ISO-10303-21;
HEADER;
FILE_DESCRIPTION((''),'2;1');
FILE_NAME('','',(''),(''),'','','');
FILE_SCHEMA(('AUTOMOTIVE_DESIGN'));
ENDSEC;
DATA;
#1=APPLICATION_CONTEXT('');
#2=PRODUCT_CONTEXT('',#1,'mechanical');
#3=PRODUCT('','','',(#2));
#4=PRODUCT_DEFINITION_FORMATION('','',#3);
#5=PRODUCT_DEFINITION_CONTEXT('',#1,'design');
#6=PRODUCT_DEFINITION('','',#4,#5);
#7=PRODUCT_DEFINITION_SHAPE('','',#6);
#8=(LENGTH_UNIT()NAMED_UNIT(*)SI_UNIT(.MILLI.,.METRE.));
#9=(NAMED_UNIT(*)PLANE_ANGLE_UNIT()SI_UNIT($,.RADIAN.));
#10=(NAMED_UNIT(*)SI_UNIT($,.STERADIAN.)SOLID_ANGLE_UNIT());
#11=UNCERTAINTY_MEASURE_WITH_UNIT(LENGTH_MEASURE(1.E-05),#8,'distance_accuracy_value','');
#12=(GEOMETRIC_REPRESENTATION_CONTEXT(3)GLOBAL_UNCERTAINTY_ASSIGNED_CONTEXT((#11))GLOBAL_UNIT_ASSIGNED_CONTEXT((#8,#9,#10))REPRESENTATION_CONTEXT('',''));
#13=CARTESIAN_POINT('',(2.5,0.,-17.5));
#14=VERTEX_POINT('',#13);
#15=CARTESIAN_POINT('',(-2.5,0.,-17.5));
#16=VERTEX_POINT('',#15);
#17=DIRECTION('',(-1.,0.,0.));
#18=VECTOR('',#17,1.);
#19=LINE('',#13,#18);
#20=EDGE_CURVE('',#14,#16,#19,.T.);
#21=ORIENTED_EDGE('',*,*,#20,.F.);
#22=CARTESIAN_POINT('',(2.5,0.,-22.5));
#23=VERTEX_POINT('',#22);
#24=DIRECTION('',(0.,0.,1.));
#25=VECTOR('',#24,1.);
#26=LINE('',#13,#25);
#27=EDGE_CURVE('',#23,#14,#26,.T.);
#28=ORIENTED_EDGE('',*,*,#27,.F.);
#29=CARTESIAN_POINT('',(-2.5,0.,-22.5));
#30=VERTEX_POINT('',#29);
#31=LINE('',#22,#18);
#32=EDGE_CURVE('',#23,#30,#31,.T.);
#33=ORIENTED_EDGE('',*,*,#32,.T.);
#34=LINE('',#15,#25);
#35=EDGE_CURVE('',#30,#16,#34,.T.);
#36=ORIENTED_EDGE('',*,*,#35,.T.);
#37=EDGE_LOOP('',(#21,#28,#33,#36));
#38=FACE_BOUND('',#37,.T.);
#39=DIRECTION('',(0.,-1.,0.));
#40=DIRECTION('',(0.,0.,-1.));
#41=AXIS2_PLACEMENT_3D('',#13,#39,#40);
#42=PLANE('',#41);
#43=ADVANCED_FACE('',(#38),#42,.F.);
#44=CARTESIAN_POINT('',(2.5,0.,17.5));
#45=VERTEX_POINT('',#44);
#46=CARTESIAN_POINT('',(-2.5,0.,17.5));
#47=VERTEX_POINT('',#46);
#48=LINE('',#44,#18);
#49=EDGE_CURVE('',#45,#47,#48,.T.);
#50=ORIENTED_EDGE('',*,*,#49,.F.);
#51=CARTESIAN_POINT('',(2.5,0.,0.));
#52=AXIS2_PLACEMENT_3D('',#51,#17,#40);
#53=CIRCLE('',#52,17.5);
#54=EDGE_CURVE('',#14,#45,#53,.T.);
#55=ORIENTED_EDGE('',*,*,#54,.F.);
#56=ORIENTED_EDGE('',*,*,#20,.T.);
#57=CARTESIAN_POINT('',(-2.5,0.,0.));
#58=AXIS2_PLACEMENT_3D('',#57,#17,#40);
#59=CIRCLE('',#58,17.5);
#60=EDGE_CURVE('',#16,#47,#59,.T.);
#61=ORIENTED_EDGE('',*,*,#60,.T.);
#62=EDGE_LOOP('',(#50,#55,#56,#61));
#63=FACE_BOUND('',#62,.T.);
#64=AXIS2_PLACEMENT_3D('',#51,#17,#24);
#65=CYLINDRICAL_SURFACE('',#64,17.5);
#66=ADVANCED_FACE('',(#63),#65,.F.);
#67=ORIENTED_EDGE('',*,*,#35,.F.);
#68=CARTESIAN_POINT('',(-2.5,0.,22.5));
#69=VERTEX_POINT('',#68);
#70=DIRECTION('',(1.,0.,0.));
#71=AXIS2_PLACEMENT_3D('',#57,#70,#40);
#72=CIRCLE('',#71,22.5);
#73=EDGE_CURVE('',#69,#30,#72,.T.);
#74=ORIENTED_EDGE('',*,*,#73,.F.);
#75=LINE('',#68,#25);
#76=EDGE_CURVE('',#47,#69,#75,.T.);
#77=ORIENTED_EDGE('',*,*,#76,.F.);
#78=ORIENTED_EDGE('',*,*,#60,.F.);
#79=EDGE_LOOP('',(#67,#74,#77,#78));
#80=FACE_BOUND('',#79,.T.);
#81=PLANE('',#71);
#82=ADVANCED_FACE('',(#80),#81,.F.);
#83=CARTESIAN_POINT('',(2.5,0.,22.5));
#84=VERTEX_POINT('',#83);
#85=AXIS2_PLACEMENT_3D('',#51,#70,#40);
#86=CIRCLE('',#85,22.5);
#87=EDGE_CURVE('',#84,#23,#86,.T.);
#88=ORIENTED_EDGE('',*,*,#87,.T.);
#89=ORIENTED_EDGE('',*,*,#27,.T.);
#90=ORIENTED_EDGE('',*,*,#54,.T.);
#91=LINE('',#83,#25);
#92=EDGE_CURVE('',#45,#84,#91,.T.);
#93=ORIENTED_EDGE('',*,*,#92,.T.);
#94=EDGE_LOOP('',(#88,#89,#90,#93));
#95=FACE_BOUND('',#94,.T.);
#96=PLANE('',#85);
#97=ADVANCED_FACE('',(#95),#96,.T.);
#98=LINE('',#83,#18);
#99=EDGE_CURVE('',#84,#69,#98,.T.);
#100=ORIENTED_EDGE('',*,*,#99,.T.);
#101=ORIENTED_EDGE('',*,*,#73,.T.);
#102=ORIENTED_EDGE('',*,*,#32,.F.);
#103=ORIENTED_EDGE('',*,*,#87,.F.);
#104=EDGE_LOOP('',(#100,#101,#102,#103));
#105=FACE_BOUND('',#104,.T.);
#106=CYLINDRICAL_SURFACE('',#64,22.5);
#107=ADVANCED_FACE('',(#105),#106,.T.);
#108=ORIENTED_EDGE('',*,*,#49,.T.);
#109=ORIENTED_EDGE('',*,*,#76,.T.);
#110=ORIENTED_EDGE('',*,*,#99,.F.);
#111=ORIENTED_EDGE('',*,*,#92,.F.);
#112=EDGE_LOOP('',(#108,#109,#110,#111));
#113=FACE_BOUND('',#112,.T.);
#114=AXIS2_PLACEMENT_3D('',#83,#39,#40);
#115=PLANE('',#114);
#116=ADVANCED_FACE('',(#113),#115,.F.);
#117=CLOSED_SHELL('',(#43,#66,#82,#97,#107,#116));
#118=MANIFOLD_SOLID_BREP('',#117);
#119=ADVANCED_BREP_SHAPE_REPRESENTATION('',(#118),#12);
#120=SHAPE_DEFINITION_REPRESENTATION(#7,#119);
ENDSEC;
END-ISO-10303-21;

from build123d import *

# Parameters (mm, degrees)
BOSS_EXTRUDE1_DEPTH = 2.5


with BuildPart() as part:
    # Sketch1 → Boss-Extrude1 (new, symmetric)
    with BuildSketch(Plane(origin=(0, 0, 0), x_dir=(0, 0, -1), z_dir=(1, 0, 0))):
        with BuildLine():
            Line((-22.5, 0), (-17.5, 0))
            ThreePointArc((-17.5, 0), (0, -17.5), (17.5, 0))
            Line((17.5, 0), (22.5, 0))
            ThreePointArc((22.5, 0), (0, -22.5), (-22.5, 0))
        make_face()
    extrude(amount=BOSS_EXTRUDE1_DEPTH, both=True)


solid = part.part
